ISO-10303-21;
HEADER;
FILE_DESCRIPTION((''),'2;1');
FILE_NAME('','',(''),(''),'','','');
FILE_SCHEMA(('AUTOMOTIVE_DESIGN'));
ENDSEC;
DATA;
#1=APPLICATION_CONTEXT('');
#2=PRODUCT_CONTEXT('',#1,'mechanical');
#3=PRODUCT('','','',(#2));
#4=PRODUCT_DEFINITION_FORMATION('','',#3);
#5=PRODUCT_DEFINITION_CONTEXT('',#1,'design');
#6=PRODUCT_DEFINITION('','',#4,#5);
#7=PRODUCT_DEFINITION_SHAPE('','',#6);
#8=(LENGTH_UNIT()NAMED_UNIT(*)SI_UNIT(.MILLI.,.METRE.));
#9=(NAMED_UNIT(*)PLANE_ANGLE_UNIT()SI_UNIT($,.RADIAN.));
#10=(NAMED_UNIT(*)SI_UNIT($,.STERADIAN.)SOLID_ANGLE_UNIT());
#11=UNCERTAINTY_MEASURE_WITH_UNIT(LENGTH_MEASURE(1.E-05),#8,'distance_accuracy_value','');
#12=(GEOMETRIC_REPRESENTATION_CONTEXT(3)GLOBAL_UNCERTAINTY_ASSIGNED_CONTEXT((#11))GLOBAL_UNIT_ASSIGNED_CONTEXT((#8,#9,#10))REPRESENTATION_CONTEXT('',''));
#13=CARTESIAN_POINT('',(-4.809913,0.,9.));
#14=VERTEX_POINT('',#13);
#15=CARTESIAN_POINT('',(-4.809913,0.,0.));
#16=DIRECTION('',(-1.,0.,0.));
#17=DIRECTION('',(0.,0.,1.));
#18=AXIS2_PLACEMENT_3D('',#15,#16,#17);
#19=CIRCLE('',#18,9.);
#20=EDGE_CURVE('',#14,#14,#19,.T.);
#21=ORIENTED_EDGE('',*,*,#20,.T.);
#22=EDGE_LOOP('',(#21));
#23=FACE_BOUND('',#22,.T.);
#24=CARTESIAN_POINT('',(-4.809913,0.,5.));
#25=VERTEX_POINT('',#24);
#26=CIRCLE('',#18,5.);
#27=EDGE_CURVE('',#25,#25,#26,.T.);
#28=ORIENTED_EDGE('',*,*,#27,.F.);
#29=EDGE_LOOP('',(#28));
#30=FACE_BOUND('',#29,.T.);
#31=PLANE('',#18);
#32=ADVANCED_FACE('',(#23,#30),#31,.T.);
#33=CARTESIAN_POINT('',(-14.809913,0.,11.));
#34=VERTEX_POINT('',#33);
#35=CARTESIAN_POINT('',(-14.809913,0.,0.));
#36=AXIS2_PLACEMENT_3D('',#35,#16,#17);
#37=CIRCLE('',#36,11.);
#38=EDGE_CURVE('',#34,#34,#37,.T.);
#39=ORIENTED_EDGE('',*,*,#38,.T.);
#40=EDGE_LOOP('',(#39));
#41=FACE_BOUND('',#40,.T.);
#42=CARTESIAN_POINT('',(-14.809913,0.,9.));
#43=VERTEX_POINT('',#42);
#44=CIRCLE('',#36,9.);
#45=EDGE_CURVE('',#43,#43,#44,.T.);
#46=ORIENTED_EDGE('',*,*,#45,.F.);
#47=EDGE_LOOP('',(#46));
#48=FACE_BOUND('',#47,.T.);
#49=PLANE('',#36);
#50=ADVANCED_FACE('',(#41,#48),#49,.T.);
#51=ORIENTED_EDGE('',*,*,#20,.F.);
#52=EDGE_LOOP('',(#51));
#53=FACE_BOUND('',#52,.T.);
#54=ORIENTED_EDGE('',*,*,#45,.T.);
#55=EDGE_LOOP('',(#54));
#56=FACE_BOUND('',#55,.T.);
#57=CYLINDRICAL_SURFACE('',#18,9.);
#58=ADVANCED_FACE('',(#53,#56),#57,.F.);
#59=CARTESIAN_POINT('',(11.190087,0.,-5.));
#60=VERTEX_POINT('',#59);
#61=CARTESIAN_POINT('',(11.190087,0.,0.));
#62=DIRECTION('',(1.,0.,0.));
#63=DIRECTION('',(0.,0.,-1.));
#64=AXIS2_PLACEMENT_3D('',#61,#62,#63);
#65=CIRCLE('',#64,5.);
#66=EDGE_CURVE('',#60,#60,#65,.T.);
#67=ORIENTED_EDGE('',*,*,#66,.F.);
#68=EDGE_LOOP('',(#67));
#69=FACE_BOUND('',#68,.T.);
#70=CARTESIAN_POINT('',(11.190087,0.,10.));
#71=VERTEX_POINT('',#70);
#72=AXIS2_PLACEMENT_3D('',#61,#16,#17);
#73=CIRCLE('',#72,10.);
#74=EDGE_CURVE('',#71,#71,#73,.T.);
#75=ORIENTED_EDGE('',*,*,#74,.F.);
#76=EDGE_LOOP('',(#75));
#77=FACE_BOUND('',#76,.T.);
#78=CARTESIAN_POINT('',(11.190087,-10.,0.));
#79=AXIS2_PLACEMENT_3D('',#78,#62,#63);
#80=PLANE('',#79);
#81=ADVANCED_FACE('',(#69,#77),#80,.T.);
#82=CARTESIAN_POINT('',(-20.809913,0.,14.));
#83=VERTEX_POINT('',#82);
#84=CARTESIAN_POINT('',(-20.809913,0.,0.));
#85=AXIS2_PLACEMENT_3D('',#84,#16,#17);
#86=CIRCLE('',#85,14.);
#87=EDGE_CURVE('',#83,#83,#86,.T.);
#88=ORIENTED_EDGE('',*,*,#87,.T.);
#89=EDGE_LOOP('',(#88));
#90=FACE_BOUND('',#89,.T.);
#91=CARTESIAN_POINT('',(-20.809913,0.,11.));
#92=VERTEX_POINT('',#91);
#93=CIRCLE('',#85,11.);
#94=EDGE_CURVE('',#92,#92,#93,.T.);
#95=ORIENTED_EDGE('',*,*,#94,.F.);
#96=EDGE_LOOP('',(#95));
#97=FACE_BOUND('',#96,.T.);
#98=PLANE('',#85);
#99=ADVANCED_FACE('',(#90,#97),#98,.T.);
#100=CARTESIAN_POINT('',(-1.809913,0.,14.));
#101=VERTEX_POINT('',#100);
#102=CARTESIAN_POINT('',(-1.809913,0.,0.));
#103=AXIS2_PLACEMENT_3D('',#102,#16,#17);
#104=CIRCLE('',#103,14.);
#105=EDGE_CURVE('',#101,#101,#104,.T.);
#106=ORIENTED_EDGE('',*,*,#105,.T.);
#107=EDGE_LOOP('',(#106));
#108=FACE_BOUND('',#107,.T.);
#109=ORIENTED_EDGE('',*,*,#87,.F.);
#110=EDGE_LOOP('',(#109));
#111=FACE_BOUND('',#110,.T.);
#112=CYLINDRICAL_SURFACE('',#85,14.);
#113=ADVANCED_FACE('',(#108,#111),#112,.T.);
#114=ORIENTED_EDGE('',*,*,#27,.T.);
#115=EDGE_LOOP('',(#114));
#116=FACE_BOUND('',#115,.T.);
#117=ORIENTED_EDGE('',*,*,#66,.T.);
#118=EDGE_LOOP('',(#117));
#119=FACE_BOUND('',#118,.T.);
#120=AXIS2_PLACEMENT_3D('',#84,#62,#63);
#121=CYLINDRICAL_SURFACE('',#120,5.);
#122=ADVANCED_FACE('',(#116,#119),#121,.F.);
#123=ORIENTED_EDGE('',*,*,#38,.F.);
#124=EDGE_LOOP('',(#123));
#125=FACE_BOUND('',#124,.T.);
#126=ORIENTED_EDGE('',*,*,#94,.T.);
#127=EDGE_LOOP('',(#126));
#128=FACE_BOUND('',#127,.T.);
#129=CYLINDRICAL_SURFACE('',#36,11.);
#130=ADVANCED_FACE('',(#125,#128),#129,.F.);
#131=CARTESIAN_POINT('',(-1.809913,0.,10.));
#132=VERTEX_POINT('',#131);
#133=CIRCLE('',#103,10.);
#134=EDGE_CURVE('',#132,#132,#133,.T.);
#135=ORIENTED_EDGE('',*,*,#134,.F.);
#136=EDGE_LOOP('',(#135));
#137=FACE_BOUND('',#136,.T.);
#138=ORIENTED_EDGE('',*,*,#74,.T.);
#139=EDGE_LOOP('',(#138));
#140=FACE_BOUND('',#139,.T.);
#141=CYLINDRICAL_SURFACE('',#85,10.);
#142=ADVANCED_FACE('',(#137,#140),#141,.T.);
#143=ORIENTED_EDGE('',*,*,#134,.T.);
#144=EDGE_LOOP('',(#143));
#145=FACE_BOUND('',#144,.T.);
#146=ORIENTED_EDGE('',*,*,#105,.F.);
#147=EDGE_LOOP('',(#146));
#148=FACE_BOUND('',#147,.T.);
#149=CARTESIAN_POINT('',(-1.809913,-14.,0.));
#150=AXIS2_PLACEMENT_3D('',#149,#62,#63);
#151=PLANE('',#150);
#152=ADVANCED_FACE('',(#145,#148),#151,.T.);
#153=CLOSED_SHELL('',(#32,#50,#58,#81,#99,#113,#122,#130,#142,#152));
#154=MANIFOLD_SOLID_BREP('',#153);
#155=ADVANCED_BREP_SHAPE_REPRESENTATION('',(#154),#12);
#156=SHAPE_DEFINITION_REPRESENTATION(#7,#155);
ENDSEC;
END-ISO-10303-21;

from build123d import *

# Parameters (mm, degrees)
SKETCH2_R               = 11
CUT_EXTRUDE2_DEPTH      = 6
SKETCH6_R               = 9
CUT_EXTRUDE3_DEPTH      = 10
SKETCH7_R               = 5
CUT_EXTRUDE4_DEPTH      = 1
CUT_EXTRUDE4_DEPTH_BACK = 33


with BuildPart() as part:
    # Sketch1 → Revolve1 (revolve)
    with BuildSketch(Plane.XY):
        Polygon((-20.809912875, 0), (-20.809912875, -14), (-1.809912875, -14), (-1.809912875, -10), (11.190087125, -10), (11.190087125, 0), align=None)
    revolve(axis=Axis((-20.809912875, 0, 0), (1, 0, 0)))

    # Sketch2 → Cut-Extrude2 (cut)
    with BuildSketch(Plane.ZY.offset(20.809912875)):
        Circle(SKETCH2_R)
    extrude(amount=-CUT_EXTRUDE2_DEPTH, mode=Mode.SUBTRACT)

    # Sketch6 → Cut-Extrude3 (cut)
    with BuildSketch(Plane.ZY.offset(14.809912875)):
        Circle(SKETCH6_R)
    extrude(amount=-CUT_EXTRUDE3_DEPTH, mode=Mode.SUBTRACT)

    # Sketch7 → Cut-Extrude4 (cut, two sides)
    with BuildSketch(Plane(origin=(11.190087125, 0, 0), x_dir=(0, 0, -1), z_dir=(1, 0, 0))) as cut_extrude4_sk:
        Circle(SKETCH7_R)
    extrude(amount=CUT_EXTRUDE4_DEPTH, mode=Mode.SUBTRACT)
    extrude(cut_extrude4_sk.sketch, amount=-CUT_EXTRUDE4_DEPTH_BACK, mode=Mode.SUBTRACT)


solid = part.part
